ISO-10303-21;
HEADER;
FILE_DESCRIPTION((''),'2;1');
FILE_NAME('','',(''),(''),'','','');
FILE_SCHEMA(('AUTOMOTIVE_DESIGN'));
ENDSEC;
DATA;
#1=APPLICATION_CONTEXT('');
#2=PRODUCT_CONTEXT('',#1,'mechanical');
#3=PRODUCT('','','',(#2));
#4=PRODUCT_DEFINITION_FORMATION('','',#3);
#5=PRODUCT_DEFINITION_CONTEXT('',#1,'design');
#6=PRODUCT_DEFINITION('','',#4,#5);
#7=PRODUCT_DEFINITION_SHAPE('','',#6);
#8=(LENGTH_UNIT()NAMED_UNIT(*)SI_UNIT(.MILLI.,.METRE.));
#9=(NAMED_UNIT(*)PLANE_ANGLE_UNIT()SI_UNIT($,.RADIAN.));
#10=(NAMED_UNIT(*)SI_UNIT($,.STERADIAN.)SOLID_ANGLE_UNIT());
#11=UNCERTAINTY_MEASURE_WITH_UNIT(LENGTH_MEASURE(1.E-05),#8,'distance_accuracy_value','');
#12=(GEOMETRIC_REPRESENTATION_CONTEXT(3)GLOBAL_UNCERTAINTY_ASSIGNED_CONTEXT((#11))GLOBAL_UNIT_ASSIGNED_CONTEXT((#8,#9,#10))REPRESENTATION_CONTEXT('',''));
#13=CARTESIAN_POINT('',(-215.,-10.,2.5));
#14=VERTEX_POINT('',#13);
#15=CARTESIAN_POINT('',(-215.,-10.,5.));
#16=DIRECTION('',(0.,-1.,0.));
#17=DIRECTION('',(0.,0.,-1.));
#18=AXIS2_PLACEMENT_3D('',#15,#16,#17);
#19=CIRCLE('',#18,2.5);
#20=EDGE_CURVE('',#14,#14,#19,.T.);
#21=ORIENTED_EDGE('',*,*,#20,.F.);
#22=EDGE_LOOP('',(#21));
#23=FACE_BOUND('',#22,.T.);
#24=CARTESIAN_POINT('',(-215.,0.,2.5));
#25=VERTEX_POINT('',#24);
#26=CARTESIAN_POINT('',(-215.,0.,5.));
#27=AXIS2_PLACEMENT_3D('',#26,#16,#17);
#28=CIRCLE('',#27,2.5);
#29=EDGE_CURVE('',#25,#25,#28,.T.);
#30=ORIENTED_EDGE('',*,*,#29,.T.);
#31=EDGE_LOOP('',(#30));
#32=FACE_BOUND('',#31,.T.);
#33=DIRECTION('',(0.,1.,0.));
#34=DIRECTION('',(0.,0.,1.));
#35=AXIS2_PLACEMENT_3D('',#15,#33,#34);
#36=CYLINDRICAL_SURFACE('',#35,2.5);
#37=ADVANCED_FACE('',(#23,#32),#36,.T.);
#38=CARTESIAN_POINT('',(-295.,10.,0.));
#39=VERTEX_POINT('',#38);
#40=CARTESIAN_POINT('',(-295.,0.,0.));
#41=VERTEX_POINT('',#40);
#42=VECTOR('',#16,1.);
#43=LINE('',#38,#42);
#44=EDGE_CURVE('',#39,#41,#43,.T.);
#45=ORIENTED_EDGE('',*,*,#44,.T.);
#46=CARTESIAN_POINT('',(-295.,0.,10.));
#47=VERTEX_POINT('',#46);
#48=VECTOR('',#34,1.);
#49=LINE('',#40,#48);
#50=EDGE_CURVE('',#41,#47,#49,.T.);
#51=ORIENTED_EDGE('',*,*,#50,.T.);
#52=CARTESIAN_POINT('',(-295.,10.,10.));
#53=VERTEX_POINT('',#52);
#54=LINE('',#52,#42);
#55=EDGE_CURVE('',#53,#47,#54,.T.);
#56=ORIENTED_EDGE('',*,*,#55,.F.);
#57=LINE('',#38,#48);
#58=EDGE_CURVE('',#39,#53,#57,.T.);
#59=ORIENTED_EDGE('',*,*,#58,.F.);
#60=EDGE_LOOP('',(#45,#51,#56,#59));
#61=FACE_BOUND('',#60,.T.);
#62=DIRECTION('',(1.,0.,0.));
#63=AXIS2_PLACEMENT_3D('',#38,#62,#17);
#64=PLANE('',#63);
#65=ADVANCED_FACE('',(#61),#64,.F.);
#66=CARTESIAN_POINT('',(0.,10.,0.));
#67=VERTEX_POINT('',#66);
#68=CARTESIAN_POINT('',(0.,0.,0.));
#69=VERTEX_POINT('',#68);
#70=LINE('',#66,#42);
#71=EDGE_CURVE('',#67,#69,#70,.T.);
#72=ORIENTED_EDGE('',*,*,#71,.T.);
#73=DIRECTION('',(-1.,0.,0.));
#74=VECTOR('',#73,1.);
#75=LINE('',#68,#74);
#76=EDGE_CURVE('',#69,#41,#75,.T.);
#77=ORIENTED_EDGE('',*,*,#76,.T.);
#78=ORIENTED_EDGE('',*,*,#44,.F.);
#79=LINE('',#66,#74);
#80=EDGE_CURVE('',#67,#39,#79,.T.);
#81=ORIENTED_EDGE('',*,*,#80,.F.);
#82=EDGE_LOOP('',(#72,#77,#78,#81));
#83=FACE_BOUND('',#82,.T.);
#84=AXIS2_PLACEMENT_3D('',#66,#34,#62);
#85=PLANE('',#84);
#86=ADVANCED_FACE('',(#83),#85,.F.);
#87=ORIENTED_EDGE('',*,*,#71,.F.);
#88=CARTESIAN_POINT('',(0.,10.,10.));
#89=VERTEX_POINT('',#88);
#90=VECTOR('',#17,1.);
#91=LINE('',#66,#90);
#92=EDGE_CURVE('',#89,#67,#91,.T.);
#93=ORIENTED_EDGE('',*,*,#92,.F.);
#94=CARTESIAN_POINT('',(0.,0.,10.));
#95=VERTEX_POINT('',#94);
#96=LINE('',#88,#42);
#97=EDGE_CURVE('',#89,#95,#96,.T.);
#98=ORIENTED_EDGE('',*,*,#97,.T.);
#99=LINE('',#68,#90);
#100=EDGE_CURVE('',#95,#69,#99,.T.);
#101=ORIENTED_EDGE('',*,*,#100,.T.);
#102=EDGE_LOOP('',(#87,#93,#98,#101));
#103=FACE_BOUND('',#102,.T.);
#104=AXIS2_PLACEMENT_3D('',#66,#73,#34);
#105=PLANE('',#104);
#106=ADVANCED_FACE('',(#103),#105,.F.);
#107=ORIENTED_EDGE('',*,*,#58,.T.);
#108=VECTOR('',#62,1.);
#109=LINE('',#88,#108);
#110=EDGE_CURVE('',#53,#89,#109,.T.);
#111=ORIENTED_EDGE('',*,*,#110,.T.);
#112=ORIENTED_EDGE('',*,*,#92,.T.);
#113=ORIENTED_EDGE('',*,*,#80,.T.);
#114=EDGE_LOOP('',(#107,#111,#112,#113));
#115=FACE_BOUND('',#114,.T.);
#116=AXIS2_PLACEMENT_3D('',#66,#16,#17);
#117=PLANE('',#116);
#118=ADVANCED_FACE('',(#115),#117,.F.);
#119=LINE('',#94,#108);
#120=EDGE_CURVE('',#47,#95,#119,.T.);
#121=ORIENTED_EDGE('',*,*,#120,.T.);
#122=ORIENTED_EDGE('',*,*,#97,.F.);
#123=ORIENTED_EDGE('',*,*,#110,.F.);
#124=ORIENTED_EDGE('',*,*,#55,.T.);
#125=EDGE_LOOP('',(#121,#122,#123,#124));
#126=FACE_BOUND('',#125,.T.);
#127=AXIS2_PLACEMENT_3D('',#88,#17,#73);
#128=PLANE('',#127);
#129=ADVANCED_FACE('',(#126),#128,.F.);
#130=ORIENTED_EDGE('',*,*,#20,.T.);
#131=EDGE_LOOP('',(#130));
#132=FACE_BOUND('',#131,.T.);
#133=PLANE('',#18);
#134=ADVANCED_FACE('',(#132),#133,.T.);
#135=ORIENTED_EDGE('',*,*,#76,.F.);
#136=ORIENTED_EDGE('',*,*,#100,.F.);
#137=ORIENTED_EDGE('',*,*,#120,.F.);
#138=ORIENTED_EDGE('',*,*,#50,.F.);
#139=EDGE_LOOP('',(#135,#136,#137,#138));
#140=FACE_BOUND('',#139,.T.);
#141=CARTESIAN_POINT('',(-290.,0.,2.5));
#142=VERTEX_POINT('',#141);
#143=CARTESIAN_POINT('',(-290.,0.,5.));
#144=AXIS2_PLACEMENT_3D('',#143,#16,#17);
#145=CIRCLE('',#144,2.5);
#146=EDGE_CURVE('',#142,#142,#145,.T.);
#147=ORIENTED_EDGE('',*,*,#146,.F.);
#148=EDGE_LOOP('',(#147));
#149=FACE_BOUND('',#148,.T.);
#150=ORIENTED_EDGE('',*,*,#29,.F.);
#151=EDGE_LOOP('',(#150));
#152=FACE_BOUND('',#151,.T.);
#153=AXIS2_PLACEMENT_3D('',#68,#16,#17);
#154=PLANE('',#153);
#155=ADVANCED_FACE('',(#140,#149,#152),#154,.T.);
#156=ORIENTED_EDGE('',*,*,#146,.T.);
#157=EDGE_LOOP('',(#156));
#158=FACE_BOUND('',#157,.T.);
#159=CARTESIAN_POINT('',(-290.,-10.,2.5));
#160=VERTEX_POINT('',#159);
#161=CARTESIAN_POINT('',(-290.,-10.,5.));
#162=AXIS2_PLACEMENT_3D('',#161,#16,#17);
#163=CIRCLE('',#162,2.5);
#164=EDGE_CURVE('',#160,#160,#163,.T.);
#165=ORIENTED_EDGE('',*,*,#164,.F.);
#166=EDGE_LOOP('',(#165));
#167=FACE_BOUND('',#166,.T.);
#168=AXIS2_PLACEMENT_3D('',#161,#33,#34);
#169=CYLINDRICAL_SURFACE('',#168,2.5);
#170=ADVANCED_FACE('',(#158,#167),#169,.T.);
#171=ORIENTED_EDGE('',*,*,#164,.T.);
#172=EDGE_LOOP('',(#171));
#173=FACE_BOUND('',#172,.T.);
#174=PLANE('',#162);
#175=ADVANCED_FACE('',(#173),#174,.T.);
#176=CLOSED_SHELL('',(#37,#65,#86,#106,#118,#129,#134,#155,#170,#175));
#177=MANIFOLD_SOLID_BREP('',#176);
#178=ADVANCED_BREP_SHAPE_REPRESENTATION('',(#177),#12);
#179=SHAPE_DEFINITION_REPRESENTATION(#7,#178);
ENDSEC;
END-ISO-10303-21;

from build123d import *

# Parameters (mm, degrees)
ESQUISSE1_W        = 295
ESQUISSE1_H        = 10
BOSS_EXTRU_1_DEPTH = 10
ESQUISSE2_R        = 2.5
BOSS_EXTRU_2_DEPTH = 10


with BuildPart() as part:
    # Esquisse1 → Boss.-Extru.1 (new body)
    with BuildSketch(Plane(origin=(0, 0, 0), x_dir=(1, 0, 0), z_dir=(0, 1, 0))):
        with Locations((-147.5, -5)):
            Rectangle(ESQUISSE1_W, ESQUISSE1_H)
    extrude(amount=BOSS_EXTRU_1_DEPTH)

    # Esquisse2 → Boss.-Extru.2 (add)
    with BuildSketch(Plane(origin=(0, 0, 0), x_dir=(-1, 0, 0), z_dir=(0, -1, 0))):
        with Locations(Location((290, -5, 0), (0, 0, 90))):
            Circle(ESQUISSE2_R)
        with Locations(Location((215, -5, 0), (0, 0, 90))):
            Circle(ESQUISSE2_R)
    extrude(amount=BOSS_EXTRU_2_DEPTH)


solid = part.part
